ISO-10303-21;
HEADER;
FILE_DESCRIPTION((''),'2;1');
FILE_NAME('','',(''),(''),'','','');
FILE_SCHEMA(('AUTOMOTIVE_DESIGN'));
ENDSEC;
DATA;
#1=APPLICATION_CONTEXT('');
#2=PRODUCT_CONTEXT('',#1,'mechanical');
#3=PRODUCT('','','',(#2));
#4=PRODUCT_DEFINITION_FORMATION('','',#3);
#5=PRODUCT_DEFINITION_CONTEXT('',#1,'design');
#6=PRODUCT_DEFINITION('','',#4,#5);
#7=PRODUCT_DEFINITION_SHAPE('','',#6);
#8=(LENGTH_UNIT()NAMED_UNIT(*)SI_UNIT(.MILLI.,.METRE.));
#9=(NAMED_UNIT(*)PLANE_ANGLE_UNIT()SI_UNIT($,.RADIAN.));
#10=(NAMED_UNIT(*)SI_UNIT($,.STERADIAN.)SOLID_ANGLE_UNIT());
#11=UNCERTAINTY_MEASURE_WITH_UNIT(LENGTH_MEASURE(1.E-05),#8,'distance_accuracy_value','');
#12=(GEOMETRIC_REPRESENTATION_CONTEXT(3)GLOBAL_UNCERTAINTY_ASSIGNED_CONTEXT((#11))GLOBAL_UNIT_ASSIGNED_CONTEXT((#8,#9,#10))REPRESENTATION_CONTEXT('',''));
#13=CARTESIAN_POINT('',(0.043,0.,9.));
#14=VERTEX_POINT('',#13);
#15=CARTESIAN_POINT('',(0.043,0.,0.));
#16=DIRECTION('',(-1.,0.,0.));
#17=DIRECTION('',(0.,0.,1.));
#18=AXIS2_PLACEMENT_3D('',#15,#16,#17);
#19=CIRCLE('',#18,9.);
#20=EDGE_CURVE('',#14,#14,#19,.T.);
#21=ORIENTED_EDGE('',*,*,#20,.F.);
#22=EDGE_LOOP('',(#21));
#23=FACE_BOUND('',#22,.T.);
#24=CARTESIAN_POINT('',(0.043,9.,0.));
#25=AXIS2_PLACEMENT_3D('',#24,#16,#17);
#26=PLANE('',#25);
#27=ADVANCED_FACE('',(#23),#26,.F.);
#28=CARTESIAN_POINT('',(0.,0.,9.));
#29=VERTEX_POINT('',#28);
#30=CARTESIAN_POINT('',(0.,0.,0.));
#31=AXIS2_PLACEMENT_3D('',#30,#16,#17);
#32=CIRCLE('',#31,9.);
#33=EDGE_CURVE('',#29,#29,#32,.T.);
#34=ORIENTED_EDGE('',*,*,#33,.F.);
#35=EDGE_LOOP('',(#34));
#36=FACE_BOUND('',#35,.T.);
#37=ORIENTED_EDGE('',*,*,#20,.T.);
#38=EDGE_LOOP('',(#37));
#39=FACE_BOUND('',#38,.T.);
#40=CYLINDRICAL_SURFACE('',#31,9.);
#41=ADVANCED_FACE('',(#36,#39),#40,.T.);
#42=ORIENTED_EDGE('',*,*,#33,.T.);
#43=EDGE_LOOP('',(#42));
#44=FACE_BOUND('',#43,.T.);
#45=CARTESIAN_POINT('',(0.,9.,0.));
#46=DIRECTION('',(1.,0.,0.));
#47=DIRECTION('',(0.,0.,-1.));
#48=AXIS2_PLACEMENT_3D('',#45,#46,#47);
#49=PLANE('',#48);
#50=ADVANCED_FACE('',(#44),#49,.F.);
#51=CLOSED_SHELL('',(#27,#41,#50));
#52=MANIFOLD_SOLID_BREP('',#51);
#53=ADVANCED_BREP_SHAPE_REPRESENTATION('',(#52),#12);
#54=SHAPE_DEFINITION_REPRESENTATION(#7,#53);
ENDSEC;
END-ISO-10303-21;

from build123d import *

# Parameters (mm, degrees)
SKETCH_1_W = 0.043
SKETCH_1_H = 9


with BuildPart() as part:
    # 草图1 → 旋转2 (revolve)
    with BuildSketch(Plane.XY, mode=Mode.PRIVATE) as revolve_2_sk:
        with Locations((0.0215, 4.5)):
            Rectangle(SKETCH_1_W, SKETCH_1_H)
    revolve(revolve_2_sk.sketch.rotate(Axis((0, 0, 0), (1, 0, 0)), 90), axis=Axis((0, 0, 0), (1, 0, 0)))  # turned: the seam where the file's is


solid = part.part
